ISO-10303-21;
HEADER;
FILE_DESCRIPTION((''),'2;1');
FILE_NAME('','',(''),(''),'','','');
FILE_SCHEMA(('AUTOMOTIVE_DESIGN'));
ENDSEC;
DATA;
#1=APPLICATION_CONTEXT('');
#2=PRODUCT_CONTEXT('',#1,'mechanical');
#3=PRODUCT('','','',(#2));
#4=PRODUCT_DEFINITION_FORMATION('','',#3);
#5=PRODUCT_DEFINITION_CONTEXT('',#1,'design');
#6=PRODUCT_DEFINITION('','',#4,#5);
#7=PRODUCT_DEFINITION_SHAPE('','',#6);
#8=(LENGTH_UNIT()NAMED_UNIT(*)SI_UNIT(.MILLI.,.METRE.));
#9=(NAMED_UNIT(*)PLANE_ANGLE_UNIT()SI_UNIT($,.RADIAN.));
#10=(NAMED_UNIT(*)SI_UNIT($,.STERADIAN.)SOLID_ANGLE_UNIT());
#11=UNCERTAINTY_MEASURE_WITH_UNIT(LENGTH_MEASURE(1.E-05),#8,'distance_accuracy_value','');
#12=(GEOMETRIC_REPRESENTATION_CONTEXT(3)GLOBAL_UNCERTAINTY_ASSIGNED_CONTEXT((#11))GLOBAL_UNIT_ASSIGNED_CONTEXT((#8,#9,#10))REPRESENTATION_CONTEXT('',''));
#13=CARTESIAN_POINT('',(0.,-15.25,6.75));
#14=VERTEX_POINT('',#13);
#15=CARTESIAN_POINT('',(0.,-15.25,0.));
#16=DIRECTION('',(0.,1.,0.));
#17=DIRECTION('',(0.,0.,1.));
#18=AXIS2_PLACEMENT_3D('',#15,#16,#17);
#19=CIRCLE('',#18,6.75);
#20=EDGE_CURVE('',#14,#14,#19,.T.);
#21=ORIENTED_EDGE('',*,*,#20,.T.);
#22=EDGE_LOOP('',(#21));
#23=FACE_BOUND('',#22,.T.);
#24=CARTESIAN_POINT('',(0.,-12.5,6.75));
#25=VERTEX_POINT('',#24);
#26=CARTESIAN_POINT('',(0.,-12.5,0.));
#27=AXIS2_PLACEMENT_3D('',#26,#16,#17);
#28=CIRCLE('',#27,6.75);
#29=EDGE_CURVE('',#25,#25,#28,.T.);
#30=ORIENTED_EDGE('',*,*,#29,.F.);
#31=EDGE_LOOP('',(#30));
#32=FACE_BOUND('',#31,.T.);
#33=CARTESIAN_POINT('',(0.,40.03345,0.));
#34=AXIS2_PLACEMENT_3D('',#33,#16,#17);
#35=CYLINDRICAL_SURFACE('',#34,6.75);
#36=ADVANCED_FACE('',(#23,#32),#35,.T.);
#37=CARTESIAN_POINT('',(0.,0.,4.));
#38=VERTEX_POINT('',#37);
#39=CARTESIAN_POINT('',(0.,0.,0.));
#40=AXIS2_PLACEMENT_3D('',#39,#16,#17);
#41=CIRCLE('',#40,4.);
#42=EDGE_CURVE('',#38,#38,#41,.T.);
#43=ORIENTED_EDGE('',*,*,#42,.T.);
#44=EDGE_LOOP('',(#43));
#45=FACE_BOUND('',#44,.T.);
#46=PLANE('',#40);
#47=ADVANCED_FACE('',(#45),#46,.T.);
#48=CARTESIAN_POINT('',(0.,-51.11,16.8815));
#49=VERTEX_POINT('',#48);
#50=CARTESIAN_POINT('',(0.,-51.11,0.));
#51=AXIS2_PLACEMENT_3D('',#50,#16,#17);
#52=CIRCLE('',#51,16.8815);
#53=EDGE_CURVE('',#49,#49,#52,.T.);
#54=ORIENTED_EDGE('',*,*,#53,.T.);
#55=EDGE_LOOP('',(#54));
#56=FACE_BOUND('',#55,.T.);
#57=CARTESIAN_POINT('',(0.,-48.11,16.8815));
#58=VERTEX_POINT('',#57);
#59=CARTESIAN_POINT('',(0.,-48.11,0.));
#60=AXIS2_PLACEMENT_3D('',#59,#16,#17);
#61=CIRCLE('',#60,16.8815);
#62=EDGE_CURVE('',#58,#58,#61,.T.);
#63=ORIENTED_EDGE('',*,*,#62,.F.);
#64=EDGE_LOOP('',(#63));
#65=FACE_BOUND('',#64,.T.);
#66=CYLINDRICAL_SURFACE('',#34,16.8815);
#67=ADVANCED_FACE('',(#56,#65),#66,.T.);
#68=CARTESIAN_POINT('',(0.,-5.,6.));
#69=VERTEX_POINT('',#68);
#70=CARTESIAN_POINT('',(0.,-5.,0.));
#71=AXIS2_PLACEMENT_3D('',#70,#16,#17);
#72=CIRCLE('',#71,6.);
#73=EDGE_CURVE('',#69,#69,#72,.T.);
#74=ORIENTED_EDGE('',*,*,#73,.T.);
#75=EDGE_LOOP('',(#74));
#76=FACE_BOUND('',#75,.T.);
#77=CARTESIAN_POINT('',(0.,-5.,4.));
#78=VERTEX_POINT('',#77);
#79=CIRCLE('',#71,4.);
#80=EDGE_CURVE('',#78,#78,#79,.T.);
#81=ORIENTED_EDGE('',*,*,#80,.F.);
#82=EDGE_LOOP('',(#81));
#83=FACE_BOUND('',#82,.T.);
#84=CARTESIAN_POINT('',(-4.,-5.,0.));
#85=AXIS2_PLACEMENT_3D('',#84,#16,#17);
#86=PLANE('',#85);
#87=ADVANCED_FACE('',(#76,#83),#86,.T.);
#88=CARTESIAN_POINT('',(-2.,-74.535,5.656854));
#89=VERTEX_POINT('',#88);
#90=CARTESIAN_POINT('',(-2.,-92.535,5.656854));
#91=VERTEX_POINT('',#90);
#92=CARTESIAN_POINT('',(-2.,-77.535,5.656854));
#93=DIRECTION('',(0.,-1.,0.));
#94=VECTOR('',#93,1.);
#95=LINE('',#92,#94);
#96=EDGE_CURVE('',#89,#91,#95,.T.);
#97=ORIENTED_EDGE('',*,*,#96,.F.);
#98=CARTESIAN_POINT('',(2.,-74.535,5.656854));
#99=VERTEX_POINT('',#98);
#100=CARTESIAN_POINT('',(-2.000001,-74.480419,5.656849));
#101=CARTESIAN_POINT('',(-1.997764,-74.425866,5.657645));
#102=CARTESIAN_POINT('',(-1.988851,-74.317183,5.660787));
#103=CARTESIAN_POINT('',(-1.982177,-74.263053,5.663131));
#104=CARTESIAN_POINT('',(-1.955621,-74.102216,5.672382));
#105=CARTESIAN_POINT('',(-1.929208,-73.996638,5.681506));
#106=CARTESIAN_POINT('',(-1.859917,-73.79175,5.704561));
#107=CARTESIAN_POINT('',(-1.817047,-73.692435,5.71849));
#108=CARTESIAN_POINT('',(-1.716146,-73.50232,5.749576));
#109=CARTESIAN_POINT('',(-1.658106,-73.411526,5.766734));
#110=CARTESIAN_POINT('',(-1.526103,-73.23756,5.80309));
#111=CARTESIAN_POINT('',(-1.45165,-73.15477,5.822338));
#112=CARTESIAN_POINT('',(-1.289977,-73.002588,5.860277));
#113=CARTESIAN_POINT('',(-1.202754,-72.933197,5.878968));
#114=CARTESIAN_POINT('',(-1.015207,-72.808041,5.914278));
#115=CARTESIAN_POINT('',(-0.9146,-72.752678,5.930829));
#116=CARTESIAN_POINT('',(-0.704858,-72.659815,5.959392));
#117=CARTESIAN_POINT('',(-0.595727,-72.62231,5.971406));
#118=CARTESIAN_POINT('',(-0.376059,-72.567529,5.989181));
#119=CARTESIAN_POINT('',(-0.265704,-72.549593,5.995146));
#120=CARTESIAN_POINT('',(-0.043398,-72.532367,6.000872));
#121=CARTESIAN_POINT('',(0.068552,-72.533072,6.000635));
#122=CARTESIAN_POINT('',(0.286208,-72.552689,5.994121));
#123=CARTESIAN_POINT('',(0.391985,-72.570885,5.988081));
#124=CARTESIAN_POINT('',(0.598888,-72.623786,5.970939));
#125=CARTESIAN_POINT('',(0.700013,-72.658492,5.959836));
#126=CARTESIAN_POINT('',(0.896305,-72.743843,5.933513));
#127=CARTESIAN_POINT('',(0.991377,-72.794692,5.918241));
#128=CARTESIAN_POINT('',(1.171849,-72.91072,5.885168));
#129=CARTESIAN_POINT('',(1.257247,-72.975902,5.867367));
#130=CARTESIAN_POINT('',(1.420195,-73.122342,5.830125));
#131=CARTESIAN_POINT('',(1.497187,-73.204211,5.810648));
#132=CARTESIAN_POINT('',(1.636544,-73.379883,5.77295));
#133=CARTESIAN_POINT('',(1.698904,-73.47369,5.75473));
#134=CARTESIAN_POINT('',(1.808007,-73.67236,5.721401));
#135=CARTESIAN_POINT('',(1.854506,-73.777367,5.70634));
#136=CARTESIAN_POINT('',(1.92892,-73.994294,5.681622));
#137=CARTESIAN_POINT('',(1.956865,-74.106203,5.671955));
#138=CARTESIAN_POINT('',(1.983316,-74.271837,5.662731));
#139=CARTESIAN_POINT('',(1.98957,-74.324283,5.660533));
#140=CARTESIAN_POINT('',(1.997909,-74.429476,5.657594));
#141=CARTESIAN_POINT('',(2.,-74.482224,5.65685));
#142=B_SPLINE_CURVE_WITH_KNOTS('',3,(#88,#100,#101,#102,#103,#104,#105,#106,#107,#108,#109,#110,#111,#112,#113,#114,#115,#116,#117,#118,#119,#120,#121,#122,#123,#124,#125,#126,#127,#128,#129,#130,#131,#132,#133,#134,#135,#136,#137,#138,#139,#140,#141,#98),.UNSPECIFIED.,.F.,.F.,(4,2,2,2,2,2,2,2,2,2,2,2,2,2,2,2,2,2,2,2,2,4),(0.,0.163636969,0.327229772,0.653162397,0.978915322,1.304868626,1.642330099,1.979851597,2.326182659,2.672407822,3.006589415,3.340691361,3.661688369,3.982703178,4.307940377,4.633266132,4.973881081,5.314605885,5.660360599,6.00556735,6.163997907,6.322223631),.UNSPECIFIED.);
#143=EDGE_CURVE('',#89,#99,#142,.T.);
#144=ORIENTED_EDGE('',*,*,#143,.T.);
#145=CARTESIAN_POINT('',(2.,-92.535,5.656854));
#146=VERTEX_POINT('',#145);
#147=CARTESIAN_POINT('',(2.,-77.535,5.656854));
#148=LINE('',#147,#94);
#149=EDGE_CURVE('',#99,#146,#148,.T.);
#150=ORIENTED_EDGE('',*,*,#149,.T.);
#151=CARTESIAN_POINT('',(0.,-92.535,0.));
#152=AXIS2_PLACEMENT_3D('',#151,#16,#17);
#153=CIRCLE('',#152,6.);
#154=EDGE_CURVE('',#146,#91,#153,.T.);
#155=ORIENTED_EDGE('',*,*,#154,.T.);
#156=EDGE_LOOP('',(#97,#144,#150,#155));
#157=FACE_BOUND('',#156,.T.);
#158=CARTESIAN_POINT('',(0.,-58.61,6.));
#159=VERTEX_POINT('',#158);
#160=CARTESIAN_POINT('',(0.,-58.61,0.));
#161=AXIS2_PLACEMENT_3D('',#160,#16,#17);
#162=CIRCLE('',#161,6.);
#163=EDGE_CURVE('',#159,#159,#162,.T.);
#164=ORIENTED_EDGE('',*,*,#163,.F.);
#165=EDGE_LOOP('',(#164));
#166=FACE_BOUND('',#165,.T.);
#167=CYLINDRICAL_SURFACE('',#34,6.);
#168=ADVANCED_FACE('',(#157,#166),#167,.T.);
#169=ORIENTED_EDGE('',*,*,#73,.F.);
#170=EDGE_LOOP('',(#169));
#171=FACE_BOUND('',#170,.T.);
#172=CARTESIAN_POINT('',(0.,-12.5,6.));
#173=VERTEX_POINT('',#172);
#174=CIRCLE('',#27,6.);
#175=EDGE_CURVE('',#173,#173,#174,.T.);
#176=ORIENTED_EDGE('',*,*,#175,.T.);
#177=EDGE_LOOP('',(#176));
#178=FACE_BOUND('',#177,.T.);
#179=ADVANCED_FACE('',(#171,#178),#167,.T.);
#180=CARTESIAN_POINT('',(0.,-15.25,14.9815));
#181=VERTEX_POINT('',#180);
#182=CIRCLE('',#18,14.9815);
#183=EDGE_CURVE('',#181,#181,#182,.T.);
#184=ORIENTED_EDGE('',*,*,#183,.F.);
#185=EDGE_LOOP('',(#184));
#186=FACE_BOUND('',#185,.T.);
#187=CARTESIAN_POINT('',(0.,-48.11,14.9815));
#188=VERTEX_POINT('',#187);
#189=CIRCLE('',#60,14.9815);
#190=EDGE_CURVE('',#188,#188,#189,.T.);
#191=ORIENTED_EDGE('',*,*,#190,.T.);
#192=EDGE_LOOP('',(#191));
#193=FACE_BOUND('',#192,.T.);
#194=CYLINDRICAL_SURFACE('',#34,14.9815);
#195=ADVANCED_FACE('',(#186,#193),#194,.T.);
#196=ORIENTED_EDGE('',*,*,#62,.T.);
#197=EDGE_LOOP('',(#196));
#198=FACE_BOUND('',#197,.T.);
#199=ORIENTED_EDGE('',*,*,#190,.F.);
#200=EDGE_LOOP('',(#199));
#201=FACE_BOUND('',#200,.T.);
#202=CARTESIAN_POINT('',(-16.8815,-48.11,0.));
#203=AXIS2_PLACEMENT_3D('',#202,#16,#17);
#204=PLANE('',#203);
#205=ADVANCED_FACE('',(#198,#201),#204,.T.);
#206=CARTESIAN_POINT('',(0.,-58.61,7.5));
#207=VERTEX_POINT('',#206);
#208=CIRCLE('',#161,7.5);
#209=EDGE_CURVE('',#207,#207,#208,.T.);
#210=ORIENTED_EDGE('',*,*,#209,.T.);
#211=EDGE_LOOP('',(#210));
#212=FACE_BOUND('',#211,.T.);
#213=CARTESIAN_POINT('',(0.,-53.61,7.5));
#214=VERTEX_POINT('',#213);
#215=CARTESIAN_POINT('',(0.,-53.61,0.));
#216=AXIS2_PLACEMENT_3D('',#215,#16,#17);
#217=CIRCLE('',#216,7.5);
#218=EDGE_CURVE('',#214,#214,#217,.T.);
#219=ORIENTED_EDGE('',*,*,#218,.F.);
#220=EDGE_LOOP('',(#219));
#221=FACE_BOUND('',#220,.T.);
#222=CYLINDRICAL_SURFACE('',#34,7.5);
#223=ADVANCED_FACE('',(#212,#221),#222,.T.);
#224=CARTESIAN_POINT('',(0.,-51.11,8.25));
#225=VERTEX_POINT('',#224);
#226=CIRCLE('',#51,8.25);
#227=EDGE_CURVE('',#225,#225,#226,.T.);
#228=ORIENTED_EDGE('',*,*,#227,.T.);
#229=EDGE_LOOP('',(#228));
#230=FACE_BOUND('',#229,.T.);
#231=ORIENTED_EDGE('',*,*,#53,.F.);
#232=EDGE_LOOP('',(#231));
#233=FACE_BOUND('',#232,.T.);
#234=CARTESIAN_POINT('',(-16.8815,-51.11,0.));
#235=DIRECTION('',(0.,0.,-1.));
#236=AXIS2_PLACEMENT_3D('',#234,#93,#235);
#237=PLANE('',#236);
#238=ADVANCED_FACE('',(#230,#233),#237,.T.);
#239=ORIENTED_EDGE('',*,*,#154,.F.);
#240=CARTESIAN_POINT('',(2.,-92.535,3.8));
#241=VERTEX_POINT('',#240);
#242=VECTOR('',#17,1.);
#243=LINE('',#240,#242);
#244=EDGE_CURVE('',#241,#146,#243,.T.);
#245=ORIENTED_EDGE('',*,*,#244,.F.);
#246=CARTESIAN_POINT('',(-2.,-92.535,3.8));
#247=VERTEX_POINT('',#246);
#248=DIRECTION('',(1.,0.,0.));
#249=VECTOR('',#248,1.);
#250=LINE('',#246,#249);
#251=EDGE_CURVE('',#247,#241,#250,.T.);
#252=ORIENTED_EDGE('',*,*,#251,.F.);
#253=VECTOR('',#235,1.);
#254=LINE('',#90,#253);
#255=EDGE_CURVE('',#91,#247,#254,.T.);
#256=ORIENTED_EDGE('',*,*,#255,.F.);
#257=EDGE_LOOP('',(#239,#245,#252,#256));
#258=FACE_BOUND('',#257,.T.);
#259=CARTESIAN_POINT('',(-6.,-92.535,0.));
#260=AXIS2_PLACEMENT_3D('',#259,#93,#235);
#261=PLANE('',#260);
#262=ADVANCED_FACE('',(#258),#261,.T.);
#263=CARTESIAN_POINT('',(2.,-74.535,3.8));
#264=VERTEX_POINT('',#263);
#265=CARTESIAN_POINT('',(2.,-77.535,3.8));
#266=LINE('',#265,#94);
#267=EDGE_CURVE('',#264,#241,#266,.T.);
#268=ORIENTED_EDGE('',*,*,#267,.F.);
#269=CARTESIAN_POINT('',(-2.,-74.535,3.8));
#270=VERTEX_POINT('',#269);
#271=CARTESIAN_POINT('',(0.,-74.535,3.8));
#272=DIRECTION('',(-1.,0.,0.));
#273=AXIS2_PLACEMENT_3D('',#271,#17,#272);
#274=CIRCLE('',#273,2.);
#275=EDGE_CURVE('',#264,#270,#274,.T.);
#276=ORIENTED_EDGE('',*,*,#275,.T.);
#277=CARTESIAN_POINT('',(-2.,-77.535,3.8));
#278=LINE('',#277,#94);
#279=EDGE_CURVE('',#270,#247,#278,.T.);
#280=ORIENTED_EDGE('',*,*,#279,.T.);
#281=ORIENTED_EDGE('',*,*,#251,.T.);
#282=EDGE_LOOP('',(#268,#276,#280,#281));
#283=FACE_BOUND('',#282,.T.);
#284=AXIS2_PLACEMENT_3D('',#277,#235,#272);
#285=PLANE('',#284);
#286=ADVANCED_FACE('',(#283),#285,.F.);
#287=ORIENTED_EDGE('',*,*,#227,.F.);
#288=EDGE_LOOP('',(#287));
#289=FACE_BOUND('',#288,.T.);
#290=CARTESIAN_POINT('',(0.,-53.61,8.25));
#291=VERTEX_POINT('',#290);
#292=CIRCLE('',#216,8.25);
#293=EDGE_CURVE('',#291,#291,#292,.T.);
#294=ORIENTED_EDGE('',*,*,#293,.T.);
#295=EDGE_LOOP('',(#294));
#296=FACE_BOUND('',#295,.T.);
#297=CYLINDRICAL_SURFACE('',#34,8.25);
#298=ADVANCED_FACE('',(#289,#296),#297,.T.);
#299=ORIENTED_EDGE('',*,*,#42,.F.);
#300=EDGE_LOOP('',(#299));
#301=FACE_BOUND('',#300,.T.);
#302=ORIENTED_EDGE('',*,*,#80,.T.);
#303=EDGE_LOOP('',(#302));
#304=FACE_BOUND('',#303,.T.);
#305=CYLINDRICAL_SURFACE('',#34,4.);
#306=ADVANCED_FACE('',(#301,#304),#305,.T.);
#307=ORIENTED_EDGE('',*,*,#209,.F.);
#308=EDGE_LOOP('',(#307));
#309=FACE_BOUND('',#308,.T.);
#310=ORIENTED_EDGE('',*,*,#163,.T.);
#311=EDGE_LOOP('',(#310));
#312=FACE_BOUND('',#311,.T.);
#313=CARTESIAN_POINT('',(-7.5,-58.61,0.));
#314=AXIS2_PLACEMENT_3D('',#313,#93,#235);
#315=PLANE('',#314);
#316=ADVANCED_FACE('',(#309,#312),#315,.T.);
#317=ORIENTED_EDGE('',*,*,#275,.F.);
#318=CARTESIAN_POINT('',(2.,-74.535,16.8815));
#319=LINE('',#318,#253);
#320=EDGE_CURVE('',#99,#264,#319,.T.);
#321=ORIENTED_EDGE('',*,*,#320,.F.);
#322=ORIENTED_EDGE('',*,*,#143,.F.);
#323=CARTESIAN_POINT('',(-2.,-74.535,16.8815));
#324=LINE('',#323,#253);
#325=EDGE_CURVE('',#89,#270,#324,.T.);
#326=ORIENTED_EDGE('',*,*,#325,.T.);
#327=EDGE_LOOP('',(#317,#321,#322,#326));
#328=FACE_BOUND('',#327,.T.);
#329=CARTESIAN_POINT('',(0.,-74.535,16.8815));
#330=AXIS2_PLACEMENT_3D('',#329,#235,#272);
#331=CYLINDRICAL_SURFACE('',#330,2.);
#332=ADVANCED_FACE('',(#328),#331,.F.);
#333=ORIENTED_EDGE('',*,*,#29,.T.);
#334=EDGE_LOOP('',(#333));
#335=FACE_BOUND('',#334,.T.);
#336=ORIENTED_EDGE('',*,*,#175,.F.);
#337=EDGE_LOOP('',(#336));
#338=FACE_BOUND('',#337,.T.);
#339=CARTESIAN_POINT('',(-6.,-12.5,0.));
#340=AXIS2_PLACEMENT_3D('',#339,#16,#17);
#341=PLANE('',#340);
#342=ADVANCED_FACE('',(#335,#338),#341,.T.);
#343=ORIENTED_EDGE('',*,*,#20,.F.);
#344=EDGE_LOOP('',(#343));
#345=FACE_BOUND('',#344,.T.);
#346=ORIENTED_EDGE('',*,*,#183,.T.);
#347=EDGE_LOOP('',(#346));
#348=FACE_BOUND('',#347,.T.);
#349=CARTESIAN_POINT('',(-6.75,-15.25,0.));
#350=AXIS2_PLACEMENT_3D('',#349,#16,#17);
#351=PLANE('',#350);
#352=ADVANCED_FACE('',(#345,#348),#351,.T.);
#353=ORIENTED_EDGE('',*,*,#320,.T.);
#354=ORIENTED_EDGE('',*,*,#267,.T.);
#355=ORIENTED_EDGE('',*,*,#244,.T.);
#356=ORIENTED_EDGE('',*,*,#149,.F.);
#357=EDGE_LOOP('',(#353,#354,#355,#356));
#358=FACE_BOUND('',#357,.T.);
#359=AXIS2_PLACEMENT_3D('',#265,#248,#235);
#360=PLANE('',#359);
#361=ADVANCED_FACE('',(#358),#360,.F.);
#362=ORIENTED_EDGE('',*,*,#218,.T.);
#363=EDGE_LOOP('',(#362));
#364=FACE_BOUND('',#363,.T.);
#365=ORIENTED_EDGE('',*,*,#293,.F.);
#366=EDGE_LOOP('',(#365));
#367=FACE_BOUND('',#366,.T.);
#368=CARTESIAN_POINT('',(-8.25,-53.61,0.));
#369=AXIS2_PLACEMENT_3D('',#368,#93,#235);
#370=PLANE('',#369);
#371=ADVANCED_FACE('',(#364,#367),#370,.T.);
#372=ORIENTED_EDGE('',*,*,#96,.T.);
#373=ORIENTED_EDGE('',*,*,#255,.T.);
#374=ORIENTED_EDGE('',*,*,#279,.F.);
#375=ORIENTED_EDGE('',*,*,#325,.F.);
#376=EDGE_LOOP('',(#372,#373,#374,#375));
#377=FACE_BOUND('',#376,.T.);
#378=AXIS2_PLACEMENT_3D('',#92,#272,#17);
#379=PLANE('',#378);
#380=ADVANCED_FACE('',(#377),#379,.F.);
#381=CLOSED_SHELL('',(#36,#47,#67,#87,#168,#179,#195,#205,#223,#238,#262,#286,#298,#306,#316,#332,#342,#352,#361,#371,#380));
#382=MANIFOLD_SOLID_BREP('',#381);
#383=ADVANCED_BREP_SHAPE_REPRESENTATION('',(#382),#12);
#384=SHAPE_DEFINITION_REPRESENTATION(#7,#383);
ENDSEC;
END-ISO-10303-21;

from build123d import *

# Parameters (mm, degrees)
CUT_EXTRUDE1_DEPTH = 15
CUT_EXTRUDE2_DEPTH = 97.309063486


with BuildPart() as part:
    # Sketch2 → Revolve1 (revolve)
    with BuildSketch(Plane.XY, mode=Mode.PRIVATE) as revolve1_sk:
        Polygon((0, 0), (-4, 0), (-4, -5), (-6, -5), (-6, -12.5), (-6.75, -12.5), (-6.75, -15.25), (-14.9815, -15.25), (-14.9815, -48.11), (-16.8815, -48.11), (-16.8815, -51.11), (-8.25, -51.11), (-8.25, -53.61), (-7.5, -53.61), (-7.5, -58.61), (-6, -58.61), (-6, -92.535), (0, -92.535), align=None)
    revolve(revolve1_sk.sketch.rotate(Axis((0, 40.033449689, 0), (0, -1, 0)), 270), axis=Axis((0, 40.033449689, 0), (0, -1, 0)))

    # Sketch3 → Cut-Extrude1 (cut)
    with BuildSketch(Plane.XZ.offset(92.535)):
        with BuildLine():
            Line((-2, 5.656854249), (-2, 3.8))
            Line((-2, 3.8), (2, 3.8))
            Line((2, 3.8), (2, 5.656854249))
            ThreePointArc((2, 5.656854249), (0, 6), (-2, 5.656854249))
        make_face()
    extrude(amount=-CUT_EXTRUDE1_DEPTH, mode=Mode.SUBTRACT)

    # Sketch4 → Cut-Extrude2 (cut, through all)
    with BuildSketch(Plane.XY.offset(3.8)):
        with BuildLine():
            Line((-2, -77.535), (-2, -74.535))
            ThreePointArc((-2, -74.535), (0, -72.535), (2, -74.535))
            Line((2, -74.535), (2, -77.535))
            Line((2, -77.535), (2, -92.535))
            Line((2, -92.535), (-2, -92.535))
            Line((-2, -92.535), (-2, -77.535))
        make_face()
    extrude(amount=CUT_EXTRUDE2_DEPTH, mode=Mode.SUBTRACT)


solid = part.part
